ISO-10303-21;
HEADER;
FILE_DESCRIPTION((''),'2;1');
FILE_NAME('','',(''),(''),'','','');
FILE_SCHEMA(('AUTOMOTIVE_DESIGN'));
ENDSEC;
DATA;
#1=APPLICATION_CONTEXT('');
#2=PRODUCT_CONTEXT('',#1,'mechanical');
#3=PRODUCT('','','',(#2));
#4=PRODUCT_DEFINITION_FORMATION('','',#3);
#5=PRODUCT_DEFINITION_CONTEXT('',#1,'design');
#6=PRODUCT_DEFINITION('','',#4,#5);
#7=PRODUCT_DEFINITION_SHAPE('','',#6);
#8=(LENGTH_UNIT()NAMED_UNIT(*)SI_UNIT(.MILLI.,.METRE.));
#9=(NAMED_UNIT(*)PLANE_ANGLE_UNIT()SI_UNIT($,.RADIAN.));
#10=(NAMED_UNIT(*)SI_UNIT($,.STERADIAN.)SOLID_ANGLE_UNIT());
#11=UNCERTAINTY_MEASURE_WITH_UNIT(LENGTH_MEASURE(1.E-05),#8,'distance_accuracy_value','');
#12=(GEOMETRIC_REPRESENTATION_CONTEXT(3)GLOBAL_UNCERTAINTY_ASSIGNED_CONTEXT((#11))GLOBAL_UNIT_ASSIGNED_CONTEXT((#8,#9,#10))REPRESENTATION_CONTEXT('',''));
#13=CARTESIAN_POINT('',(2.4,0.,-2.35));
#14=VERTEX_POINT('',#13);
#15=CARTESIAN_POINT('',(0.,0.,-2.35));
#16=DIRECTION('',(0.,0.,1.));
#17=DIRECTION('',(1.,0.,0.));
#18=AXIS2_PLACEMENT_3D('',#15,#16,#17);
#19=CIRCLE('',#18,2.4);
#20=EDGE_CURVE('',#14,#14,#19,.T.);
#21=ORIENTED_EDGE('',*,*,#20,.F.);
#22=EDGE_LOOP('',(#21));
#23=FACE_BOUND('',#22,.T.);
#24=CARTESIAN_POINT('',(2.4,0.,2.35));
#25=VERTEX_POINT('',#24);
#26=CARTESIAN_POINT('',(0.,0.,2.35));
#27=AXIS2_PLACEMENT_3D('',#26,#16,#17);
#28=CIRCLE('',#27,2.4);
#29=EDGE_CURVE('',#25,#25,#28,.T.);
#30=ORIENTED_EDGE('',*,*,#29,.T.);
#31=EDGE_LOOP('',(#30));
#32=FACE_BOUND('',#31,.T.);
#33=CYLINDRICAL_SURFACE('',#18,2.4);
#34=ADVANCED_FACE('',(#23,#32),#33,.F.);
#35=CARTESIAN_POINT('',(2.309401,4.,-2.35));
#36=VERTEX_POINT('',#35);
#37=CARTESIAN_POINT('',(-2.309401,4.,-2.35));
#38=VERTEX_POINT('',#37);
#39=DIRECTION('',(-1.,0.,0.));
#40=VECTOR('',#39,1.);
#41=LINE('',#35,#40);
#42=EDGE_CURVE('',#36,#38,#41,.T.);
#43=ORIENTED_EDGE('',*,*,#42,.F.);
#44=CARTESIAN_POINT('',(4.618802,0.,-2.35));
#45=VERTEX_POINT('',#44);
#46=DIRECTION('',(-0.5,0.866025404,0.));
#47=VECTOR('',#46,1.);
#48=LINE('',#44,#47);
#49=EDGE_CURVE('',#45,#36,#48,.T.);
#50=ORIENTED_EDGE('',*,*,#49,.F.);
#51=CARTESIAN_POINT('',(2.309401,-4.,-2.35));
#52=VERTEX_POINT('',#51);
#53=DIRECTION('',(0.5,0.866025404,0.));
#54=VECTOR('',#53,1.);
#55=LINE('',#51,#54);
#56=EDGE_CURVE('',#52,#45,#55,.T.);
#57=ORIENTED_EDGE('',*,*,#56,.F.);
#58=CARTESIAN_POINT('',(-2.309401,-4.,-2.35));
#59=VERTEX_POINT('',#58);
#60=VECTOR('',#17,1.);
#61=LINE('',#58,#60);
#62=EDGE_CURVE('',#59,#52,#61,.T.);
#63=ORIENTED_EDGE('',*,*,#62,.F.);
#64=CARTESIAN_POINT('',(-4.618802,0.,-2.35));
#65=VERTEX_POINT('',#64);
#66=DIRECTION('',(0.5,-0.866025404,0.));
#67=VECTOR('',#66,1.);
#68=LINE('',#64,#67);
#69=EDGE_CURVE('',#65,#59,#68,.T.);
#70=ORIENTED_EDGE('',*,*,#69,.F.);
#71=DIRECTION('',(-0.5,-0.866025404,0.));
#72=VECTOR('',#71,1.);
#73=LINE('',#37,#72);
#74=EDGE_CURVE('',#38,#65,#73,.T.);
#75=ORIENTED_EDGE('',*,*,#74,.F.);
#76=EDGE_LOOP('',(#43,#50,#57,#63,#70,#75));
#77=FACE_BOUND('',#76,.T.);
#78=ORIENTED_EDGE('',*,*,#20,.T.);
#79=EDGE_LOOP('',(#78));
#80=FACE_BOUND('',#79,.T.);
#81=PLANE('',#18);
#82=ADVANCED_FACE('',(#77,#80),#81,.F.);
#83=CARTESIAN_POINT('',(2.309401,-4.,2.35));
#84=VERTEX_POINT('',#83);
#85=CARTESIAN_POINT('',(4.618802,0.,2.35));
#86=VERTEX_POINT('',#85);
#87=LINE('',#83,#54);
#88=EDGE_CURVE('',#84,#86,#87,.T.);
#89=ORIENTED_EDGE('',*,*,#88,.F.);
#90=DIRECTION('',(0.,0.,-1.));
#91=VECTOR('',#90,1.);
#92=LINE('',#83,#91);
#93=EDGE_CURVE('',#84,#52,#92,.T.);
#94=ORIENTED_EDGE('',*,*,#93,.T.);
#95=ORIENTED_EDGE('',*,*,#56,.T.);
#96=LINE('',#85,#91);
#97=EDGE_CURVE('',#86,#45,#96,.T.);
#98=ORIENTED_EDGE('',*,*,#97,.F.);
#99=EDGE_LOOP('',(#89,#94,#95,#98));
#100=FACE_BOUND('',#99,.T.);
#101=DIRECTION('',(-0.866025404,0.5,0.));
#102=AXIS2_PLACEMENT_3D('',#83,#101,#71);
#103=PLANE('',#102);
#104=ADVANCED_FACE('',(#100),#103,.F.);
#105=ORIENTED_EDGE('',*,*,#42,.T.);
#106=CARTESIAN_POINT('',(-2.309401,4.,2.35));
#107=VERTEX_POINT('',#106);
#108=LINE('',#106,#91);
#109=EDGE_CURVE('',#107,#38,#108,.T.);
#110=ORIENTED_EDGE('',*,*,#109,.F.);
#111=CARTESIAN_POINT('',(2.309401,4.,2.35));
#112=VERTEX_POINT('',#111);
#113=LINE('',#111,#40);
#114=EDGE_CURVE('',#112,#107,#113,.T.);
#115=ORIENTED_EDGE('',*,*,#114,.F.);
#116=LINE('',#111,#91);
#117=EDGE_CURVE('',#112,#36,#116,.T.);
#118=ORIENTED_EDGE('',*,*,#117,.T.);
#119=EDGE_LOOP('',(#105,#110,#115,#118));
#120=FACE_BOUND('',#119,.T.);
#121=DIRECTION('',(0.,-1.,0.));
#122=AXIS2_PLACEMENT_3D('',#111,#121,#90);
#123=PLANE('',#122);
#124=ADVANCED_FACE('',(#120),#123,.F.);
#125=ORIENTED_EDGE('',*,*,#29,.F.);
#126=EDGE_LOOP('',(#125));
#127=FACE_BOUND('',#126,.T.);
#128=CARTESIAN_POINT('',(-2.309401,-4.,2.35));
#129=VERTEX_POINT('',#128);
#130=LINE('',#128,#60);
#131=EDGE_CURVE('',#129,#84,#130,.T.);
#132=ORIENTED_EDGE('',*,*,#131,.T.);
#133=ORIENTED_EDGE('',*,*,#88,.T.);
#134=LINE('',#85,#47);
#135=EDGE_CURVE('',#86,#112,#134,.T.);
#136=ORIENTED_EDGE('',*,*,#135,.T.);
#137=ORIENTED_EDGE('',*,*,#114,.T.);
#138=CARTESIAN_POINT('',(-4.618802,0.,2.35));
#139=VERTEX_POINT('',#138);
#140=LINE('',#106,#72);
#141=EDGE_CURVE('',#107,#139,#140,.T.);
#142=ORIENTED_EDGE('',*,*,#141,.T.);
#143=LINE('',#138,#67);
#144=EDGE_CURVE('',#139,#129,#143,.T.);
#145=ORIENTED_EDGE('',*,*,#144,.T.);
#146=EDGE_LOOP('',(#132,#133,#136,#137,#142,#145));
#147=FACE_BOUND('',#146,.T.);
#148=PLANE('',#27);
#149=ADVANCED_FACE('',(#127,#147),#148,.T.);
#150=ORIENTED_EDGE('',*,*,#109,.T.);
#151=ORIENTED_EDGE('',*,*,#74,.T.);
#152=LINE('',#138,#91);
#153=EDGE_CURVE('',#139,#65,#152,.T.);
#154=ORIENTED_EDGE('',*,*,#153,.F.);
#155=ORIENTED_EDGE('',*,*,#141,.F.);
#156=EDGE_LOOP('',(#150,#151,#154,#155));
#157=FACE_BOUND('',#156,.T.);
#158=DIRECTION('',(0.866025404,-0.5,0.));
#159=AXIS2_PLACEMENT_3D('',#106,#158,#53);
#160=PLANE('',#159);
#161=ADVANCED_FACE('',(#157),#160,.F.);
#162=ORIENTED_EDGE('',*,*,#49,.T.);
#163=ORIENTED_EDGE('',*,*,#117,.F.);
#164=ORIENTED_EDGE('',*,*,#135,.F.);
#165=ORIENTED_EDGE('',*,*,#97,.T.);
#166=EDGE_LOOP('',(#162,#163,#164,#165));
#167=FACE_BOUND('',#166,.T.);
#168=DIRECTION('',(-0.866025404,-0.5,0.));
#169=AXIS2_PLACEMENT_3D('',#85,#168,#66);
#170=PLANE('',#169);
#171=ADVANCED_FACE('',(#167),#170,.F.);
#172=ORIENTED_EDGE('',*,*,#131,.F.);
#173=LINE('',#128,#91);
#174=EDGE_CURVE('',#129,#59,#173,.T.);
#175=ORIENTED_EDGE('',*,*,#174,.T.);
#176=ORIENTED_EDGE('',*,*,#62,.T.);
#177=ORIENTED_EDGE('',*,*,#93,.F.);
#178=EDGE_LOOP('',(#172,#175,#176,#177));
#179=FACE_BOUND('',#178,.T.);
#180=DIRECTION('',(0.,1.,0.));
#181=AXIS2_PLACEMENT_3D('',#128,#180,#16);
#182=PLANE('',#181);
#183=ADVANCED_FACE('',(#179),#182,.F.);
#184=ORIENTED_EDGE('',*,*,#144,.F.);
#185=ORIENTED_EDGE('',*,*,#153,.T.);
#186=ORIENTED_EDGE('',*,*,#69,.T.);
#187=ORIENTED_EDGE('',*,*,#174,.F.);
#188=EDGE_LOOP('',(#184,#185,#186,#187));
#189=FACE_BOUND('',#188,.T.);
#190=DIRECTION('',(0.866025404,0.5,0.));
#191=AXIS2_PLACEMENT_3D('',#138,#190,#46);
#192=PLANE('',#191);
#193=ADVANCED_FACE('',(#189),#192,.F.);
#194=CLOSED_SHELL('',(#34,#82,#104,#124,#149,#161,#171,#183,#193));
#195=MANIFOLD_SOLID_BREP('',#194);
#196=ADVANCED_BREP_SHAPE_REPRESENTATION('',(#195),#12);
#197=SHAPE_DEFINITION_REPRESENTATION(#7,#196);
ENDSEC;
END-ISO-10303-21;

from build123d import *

# Parameters (mm, degrees)
BOSS_EXTRUDE1_DEPTH = 2.35
SKETCH2_R           = 2.4
CUT_EXTRUDE1_DEPTH  = 5.7


with BuildPart() as part:
    # Sketch1 → Boss-Extrude1 (new body, symmetric)
    with BuildSketch(Plane.XY):
        Polygon((4.618802154, 0), (2.309401077, 4), (-2.309401077, 4), (-4.618802154, 0), (-2.309401077, -4), (2.309401077, -4), align=None)
    extrude(amount=BOSS_EXTRUDE1_DEPTH, both=True)

    # Sketch2 → Cut-Extrude1 (cut, through all)
    with BuildSketch(Plane.XY.offset(2.35)):
        Circle(SKETCH2_R)
    extrude(amount=-CUT_EXTRUDE1_DEPTH, mode=Mode.SUBTRACT)


solid = part.part
